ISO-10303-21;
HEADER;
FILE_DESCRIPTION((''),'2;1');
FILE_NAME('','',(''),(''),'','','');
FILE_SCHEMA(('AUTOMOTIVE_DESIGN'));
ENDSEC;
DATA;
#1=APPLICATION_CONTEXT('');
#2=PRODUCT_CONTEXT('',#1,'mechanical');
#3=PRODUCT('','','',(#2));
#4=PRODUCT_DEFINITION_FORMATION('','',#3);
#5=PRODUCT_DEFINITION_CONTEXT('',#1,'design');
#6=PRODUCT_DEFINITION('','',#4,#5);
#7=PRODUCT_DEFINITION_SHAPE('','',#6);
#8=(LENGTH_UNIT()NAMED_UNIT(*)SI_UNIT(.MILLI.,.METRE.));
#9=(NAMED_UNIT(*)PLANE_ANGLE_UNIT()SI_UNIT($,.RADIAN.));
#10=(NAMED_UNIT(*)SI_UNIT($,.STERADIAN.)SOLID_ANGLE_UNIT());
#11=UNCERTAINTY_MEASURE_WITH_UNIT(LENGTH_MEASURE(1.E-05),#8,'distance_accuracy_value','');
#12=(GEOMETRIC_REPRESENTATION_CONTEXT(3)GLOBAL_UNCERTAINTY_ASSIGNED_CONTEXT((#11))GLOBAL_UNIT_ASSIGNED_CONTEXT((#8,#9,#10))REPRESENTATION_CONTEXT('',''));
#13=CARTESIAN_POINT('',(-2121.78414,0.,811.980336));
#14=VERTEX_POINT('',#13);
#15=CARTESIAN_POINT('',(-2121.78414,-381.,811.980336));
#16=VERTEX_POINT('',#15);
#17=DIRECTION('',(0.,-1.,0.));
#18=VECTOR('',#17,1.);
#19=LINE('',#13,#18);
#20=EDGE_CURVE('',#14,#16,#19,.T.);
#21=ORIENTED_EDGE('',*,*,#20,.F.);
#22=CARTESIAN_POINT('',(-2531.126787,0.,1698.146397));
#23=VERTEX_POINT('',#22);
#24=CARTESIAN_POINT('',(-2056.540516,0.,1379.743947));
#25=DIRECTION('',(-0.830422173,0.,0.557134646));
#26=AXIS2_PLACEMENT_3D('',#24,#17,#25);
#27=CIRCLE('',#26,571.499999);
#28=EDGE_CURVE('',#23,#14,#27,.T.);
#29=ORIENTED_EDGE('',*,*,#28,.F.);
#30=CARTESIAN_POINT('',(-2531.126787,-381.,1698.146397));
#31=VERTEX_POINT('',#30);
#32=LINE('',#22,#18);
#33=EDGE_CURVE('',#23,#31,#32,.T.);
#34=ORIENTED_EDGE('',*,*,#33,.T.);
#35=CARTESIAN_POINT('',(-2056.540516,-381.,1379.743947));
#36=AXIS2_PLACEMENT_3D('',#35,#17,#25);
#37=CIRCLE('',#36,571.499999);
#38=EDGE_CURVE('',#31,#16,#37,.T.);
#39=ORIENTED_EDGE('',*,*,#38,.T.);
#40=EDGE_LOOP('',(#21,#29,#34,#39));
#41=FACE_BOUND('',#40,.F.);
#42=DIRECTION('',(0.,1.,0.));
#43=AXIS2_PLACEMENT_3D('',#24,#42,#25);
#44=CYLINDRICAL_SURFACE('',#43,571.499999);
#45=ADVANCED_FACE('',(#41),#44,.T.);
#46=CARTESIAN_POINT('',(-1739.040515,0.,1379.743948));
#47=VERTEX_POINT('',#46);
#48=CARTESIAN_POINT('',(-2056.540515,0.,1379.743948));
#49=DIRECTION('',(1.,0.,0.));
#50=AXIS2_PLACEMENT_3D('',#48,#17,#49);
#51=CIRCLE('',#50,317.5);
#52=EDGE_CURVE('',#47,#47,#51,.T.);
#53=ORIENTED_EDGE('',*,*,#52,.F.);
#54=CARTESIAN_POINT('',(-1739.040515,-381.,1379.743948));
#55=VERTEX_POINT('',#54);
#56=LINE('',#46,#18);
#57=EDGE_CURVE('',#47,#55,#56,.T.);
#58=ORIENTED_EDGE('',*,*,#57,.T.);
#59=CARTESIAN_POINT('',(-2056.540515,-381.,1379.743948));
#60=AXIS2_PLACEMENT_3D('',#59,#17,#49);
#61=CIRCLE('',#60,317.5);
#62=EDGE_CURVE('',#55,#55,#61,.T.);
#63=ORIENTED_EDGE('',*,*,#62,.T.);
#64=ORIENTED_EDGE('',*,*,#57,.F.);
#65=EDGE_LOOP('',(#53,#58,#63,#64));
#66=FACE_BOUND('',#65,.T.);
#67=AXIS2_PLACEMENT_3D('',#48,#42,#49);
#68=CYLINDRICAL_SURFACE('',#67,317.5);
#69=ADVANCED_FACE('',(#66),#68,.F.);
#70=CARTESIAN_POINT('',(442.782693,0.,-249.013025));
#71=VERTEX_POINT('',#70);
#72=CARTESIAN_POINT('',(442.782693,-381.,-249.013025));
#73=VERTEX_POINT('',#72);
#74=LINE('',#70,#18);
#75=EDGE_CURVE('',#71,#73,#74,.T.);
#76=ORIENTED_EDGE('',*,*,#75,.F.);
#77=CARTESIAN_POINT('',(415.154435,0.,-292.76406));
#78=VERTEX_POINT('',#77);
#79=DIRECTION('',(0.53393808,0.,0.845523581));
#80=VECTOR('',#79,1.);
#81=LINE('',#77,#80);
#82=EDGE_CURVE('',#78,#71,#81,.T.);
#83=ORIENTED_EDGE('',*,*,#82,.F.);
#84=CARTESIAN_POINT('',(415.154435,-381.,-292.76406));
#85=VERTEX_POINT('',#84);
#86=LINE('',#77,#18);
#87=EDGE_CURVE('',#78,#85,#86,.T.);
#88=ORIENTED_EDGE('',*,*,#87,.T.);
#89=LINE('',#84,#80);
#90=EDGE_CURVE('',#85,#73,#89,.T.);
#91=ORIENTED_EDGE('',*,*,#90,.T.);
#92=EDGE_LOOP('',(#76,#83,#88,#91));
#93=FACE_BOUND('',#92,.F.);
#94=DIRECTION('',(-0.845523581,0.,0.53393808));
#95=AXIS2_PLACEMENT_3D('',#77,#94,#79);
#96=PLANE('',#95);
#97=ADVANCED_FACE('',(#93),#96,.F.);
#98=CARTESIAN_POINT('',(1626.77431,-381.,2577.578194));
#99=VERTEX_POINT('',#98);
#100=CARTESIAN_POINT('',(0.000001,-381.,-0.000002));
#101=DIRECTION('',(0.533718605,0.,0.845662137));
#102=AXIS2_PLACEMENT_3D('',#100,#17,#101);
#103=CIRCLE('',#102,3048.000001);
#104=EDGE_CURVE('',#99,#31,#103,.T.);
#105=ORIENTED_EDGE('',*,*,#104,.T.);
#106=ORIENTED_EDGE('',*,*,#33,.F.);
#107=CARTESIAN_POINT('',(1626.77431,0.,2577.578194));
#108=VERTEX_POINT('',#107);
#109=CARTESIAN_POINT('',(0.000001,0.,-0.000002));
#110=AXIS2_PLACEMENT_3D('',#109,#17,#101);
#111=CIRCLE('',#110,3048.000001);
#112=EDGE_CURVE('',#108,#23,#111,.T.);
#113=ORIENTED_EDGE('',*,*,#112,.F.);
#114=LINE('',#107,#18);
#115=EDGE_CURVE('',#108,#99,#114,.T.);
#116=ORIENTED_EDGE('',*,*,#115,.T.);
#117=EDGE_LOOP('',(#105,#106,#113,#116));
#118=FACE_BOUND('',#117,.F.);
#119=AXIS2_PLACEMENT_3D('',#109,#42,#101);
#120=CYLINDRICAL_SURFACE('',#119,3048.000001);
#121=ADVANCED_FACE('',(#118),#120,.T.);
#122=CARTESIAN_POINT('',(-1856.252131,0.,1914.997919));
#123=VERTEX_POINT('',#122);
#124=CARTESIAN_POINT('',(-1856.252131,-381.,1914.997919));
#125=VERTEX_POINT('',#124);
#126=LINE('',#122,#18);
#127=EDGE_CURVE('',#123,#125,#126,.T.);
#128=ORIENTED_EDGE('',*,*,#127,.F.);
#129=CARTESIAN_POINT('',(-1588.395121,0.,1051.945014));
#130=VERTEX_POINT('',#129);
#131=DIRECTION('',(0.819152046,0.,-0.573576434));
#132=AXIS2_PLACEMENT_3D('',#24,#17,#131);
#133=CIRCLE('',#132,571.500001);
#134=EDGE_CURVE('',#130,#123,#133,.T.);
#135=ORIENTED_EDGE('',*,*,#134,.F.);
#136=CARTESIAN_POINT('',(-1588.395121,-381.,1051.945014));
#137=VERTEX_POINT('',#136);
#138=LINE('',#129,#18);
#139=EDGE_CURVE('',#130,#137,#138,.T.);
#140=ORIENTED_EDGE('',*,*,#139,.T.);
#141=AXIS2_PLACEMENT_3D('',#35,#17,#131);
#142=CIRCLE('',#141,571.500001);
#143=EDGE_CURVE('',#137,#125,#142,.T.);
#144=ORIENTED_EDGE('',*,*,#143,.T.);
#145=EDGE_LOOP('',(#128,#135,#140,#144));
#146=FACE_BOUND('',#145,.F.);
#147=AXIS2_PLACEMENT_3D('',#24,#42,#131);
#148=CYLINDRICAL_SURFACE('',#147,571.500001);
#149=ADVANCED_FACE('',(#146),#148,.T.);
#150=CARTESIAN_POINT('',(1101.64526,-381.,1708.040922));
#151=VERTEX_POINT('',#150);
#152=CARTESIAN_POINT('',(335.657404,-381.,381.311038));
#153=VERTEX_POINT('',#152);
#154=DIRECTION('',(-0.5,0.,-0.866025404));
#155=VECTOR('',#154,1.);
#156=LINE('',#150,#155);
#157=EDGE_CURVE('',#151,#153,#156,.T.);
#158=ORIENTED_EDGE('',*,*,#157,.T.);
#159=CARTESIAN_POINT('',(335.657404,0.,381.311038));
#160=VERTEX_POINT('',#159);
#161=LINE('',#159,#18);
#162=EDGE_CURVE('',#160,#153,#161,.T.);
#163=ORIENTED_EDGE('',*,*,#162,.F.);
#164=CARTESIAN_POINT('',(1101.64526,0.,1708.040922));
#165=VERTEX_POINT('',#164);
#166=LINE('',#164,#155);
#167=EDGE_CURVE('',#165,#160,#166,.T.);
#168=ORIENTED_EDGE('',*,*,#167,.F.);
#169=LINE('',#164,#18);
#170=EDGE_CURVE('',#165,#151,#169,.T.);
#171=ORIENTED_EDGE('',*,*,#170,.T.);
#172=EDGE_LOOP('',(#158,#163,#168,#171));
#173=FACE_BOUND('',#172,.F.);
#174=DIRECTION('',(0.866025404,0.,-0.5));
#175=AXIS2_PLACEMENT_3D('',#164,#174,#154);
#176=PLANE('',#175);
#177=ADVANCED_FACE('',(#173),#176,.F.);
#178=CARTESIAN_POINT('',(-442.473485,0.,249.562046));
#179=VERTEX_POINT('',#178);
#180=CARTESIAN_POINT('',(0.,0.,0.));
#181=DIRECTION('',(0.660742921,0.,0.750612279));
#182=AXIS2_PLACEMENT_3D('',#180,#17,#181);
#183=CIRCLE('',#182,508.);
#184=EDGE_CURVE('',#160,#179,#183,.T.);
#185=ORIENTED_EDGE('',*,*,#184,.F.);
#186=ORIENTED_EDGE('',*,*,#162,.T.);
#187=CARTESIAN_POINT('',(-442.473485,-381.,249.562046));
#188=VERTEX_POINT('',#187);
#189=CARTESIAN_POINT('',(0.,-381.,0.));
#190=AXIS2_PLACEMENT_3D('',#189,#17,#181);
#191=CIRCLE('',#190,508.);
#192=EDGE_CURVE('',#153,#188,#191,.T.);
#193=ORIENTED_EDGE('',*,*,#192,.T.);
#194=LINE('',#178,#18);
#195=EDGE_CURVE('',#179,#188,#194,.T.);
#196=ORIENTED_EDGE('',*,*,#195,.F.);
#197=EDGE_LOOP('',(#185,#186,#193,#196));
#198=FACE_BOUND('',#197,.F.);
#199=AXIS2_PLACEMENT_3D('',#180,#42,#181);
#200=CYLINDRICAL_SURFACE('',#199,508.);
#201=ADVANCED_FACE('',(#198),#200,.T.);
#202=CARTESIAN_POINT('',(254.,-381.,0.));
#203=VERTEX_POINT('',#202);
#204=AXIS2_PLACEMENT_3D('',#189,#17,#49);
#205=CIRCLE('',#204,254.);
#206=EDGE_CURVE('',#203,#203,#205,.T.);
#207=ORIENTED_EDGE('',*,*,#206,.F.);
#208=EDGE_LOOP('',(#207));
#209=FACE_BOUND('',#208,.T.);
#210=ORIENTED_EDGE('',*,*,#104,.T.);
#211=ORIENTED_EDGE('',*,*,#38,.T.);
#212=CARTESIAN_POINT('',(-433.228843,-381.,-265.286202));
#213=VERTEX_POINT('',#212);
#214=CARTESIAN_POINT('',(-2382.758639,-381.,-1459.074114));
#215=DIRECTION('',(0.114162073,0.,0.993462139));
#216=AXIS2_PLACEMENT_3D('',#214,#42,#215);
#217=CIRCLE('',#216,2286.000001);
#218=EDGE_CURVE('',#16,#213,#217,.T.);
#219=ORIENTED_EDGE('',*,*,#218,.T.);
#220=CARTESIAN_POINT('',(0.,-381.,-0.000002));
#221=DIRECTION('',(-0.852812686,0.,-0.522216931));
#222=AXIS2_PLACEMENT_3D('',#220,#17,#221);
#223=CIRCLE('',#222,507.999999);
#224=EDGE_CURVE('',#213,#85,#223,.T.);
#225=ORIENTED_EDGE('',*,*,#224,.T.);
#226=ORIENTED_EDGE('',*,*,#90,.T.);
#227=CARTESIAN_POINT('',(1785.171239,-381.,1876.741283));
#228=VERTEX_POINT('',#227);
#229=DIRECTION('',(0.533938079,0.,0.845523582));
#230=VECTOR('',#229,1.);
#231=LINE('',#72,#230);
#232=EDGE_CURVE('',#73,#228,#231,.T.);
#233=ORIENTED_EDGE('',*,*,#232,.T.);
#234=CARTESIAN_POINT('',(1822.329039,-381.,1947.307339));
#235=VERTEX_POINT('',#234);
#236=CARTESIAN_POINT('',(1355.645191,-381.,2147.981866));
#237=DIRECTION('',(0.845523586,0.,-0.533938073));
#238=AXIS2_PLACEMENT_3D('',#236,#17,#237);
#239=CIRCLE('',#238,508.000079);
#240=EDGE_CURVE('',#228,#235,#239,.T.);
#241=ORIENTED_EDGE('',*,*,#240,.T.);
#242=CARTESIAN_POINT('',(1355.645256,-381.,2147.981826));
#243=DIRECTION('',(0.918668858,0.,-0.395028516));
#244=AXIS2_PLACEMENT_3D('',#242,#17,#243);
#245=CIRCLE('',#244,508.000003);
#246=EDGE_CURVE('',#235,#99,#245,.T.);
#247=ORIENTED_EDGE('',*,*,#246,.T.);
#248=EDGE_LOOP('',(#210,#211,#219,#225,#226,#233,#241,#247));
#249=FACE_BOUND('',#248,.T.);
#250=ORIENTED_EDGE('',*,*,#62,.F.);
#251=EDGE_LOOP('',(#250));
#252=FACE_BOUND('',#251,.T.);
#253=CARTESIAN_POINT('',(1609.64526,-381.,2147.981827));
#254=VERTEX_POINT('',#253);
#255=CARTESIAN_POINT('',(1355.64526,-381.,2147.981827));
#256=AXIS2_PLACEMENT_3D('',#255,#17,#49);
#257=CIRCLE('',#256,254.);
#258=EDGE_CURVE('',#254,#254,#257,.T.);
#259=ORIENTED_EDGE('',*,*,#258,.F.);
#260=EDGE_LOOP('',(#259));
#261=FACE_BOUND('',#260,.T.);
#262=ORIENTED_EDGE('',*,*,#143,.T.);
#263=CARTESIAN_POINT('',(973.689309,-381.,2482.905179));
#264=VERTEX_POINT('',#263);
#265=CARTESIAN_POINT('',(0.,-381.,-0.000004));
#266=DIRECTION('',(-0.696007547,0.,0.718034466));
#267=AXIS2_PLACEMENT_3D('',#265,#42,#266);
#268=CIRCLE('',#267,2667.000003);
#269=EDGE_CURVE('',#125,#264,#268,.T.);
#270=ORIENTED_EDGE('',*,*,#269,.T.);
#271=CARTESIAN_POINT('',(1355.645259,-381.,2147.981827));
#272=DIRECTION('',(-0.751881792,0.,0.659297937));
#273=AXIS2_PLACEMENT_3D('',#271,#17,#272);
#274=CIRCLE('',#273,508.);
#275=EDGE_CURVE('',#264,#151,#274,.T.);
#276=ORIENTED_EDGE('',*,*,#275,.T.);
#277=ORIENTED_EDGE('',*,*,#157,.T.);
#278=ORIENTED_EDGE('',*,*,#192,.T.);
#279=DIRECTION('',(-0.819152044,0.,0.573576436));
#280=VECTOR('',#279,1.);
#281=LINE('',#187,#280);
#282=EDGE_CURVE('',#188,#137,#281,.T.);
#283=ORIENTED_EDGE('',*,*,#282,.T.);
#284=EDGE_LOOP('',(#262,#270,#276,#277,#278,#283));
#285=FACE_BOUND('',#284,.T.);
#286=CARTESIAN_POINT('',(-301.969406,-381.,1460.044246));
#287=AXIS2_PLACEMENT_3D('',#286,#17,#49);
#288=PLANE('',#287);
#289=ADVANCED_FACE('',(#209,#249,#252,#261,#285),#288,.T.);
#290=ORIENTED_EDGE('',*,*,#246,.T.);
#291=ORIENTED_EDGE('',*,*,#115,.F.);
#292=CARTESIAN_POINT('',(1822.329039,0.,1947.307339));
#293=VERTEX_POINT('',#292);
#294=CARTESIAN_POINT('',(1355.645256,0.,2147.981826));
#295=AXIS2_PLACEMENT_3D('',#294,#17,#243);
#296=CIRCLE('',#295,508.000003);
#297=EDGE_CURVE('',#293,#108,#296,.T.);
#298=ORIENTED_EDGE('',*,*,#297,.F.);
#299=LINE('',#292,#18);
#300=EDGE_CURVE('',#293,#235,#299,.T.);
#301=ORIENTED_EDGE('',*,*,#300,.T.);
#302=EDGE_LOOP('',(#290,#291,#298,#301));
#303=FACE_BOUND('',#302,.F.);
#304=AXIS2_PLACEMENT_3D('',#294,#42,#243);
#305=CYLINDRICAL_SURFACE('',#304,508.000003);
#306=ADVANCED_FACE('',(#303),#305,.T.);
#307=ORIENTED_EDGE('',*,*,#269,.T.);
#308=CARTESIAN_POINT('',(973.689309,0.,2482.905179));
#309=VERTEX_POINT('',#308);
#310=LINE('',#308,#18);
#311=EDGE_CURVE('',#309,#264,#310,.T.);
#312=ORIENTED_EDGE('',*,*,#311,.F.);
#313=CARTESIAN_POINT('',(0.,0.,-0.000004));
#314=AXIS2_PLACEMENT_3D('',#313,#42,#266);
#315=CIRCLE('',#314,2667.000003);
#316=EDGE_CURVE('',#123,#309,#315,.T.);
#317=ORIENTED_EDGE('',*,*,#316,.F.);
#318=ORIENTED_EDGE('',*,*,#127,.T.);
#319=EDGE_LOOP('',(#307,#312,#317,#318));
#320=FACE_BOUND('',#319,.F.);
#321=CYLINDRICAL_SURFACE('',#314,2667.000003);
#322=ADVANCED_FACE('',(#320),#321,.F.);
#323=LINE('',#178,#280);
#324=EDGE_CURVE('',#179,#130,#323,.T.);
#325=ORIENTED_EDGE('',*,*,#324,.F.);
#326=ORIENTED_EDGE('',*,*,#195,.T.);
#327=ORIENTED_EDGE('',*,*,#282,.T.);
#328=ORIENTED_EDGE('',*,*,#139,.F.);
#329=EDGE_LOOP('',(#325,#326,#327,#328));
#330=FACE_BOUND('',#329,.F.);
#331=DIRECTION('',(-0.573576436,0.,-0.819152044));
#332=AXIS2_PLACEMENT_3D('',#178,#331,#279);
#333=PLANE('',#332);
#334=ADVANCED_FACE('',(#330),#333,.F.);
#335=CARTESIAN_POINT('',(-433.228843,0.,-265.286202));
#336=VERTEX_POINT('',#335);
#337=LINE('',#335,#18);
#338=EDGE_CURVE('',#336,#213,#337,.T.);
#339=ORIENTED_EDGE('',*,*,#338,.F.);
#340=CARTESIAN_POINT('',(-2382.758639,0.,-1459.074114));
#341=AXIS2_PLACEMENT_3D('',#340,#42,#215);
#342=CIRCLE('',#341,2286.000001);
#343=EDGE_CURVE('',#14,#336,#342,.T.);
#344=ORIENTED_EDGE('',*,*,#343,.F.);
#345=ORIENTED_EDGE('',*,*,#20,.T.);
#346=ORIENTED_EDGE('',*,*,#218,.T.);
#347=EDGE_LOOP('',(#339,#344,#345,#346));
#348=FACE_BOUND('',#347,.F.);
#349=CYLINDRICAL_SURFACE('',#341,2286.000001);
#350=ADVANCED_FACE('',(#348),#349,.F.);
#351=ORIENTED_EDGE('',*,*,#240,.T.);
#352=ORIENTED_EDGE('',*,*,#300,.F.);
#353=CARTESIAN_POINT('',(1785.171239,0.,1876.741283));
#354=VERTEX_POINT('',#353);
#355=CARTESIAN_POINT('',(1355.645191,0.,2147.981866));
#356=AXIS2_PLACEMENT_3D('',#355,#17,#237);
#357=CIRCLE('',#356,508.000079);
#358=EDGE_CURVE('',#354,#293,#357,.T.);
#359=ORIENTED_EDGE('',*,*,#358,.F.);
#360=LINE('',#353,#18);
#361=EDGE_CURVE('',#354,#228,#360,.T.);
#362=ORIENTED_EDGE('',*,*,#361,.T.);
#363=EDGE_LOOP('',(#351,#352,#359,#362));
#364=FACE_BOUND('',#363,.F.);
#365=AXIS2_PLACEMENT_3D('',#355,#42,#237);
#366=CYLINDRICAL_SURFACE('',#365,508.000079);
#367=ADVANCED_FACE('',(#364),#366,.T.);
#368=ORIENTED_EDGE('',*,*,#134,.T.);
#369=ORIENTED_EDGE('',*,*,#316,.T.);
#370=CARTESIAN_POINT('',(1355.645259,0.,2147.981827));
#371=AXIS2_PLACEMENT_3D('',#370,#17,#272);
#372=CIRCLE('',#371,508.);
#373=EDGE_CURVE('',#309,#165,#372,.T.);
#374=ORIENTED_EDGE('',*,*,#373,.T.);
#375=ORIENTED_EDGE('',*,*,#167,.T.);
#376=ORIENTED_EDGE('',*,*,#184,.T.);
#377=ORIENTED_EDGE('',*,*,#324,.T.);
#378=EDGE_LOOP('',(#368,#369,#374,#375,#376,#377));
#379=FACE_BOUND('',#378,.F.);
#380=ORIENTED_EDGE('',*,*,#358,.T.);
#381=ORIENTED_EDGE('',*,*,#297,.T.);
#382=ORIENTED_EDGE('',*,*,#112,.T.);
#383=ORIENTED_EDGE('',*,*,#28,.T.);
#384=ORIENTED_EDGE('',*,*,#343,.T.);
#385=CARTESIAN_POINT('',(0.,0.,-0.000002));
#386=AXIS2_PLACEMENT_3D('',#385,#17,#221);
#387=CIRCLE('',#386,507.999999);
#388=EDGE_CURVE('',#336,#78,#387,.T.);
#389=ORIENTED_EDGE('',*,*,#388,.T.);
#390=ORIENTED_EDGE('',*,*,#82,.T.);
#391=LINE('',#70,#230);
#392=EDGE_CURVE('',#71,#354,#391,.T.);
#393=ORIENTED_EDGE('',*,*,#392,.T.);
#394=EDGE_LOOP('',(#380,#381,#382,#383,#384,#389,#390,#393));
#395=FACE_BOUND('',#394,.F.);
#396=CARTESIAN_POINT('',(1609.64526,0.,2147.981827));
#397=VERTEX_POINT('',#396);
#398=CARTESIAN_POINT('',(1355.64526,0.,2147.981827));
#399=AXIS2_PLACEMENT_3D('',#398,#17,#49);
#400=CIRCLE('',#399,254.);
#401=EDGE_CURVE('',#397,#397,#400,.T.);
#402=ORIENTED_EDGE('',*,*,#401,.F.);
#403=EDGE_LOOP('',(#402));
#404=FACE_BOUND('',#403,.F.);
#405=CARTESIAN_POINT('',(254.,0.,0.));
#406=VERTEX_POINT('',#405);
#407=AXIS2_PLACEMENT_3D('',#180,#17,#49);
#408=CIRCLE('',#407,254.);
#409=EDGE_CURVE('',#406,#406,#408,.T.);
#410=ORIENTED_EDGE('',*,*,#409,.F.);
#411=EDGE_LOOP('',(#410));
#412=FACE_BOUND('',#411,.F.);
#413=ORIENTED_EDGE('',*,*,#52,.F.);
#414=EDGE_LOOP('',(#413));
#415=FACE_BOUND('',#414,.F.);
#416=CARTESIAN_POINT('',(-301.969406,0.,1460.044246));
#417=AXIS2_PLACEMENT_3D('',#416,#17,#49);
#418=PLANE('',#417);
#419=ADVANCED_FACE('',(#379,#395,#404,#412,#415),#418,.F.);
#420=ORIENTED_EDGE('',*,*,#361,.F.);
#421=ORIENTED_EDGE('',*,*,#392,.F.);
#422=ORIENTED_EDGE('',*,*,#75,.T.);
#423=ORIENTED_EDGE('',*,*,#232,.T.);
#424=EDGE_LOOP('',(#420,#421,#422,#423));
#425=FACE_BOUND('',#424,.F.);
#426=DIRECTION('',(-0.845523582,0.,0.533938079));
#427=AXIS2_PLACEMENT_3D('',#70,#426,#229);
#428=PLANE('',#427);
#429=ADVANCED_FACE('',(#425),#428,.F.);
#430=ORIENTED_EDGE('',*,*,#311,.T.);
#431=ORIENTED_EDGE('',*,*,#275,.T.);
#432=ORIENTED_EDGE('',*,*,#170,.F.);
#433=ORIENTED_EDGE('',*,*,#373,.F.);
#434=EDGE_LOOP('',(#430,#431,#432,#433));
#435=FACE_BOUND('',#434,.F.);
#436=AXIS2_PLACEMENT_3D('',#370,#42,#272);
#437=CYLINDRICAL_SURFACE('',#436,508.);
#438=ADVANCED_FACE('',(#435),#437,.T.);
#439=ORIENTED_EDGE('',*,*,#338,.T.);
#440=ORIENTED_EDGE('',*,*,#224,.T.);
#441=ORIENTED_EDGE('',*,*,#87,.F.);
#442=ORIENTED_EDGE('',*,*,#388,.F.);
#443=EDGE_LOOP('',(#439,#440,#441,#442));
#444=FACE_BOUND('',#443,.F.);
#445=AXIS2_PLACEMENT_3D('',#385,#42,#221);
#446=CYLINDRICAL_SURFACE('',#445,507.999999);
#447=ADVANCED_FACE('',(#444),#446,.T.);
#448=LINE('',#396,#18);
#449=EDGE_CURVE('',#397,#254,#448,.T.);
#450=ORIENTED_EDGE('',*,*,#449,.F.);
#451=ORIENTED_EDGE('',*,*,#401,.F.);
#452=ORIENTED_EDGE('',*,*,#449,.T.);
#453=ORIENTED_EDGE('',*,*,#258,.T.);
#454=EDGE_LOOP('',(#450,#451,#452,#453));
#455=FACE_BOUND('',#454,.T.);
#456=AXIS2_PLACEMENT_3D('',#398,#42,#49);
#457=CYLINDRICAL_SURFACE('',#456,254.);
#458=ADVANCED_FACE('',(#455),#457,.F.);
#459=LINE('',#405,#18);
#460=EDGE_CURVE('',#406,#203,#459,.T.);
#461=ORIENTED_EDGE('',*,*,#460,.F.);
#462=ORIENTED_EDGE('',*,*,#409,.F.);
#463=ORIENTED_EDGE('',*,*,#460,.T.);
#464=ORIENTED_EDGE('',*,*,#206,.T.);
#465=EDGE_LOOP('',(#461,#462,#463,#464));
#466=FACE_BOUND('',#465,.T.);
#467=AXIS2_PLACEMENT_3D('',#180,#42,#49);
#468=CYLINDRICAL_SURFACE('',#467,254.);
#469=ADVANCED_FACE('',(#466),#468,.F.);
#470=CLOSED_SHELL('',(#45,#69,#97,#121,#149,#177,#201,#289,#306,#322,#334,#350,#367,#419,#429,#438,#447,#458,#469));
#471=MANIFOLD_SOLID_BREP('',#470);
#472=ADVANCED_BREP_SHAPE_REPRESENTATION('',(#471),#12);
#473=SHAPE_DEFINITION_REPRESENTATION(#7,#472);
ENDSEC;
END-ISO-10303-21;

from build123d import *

# Parameters (mm, degrees)
F0_R     = 254
F0_R_2   = 317.5
F1_DEPTH = 381


with BuildPart() as f1:
    # F0 (on Front) → F1 (new body)
    with BuildSketch(Plane.XZ):
        with BuildLine():
            ThreePointArc((1822.329039, 1947.307339), (1840.827988, 2298.519927), (1626.77431, 2577.578194))
            ThreePointArc((1626.77431, 2577.578194), (-630.724521, 2982.02793), (-2531.126787, 1698.146397))
            ThreePointArc((-2531.126787, 1698.146397), (-2575.362885, 1140.086696), (-2121.78414, 811.980336))
            ThreePointArc((-2121.78414, 811.980336), (-1153.243243, 468.122787), (-433.228843, -265.286202))
            ThreePointArc((-433.228843, -265.286202), (-16.444732, -507.73376), (415.154435, -292.76406))
            Line((415.154435, -292.76406), (442.782693, -249.013025))
            Line((442.782693, -249.013025), (1785.171239, 1876.741283))
            ThreePointArc((1785.171239, 1876.741283), (1805.137056, 1911.294006), (1822.329039, 1947.307339))
        make_face()
        Circle(F0_R, mode=Mode.SUBTRACT)
        with Locations((-2056.540515, 1379.743948)):
            Circle(F0_R_2, mode=Mode.SUBTRACT)
        with BuildLine():
            Line((-442.473485, 249.562046), (-1588.395121, 1051.945014))
            ThreePointArc((-1588.395121, 1051.945014), (-1510.723689, 1549.143601), (-1856.252131, 1914.997919))
            ThreePointArc((-1856.252131, 1914.997919), (-524.746556, 2614.867119), (973.689309, 2482.905179))
            ThreePointArc((973.689309, 2482.905179), (854.433082, 2065.214968), (1101.64526, 1708.040922))
            Line((1101.64526, 1708.040922), (335.657404, 381.311038))
            ThreePointArc((335.657404, 381.311038), (-84.804882, 500.871373), (-442.473485, 249.562046))
        make_face(mode=Mode.SUBTRACT)
        with Locations((1355.64526, 2147.981827)):
            Circle(F0_R, mode=Mode.SUBTRACT)
    extrude(amount=F1_DEPTH)


solid = f1.part
